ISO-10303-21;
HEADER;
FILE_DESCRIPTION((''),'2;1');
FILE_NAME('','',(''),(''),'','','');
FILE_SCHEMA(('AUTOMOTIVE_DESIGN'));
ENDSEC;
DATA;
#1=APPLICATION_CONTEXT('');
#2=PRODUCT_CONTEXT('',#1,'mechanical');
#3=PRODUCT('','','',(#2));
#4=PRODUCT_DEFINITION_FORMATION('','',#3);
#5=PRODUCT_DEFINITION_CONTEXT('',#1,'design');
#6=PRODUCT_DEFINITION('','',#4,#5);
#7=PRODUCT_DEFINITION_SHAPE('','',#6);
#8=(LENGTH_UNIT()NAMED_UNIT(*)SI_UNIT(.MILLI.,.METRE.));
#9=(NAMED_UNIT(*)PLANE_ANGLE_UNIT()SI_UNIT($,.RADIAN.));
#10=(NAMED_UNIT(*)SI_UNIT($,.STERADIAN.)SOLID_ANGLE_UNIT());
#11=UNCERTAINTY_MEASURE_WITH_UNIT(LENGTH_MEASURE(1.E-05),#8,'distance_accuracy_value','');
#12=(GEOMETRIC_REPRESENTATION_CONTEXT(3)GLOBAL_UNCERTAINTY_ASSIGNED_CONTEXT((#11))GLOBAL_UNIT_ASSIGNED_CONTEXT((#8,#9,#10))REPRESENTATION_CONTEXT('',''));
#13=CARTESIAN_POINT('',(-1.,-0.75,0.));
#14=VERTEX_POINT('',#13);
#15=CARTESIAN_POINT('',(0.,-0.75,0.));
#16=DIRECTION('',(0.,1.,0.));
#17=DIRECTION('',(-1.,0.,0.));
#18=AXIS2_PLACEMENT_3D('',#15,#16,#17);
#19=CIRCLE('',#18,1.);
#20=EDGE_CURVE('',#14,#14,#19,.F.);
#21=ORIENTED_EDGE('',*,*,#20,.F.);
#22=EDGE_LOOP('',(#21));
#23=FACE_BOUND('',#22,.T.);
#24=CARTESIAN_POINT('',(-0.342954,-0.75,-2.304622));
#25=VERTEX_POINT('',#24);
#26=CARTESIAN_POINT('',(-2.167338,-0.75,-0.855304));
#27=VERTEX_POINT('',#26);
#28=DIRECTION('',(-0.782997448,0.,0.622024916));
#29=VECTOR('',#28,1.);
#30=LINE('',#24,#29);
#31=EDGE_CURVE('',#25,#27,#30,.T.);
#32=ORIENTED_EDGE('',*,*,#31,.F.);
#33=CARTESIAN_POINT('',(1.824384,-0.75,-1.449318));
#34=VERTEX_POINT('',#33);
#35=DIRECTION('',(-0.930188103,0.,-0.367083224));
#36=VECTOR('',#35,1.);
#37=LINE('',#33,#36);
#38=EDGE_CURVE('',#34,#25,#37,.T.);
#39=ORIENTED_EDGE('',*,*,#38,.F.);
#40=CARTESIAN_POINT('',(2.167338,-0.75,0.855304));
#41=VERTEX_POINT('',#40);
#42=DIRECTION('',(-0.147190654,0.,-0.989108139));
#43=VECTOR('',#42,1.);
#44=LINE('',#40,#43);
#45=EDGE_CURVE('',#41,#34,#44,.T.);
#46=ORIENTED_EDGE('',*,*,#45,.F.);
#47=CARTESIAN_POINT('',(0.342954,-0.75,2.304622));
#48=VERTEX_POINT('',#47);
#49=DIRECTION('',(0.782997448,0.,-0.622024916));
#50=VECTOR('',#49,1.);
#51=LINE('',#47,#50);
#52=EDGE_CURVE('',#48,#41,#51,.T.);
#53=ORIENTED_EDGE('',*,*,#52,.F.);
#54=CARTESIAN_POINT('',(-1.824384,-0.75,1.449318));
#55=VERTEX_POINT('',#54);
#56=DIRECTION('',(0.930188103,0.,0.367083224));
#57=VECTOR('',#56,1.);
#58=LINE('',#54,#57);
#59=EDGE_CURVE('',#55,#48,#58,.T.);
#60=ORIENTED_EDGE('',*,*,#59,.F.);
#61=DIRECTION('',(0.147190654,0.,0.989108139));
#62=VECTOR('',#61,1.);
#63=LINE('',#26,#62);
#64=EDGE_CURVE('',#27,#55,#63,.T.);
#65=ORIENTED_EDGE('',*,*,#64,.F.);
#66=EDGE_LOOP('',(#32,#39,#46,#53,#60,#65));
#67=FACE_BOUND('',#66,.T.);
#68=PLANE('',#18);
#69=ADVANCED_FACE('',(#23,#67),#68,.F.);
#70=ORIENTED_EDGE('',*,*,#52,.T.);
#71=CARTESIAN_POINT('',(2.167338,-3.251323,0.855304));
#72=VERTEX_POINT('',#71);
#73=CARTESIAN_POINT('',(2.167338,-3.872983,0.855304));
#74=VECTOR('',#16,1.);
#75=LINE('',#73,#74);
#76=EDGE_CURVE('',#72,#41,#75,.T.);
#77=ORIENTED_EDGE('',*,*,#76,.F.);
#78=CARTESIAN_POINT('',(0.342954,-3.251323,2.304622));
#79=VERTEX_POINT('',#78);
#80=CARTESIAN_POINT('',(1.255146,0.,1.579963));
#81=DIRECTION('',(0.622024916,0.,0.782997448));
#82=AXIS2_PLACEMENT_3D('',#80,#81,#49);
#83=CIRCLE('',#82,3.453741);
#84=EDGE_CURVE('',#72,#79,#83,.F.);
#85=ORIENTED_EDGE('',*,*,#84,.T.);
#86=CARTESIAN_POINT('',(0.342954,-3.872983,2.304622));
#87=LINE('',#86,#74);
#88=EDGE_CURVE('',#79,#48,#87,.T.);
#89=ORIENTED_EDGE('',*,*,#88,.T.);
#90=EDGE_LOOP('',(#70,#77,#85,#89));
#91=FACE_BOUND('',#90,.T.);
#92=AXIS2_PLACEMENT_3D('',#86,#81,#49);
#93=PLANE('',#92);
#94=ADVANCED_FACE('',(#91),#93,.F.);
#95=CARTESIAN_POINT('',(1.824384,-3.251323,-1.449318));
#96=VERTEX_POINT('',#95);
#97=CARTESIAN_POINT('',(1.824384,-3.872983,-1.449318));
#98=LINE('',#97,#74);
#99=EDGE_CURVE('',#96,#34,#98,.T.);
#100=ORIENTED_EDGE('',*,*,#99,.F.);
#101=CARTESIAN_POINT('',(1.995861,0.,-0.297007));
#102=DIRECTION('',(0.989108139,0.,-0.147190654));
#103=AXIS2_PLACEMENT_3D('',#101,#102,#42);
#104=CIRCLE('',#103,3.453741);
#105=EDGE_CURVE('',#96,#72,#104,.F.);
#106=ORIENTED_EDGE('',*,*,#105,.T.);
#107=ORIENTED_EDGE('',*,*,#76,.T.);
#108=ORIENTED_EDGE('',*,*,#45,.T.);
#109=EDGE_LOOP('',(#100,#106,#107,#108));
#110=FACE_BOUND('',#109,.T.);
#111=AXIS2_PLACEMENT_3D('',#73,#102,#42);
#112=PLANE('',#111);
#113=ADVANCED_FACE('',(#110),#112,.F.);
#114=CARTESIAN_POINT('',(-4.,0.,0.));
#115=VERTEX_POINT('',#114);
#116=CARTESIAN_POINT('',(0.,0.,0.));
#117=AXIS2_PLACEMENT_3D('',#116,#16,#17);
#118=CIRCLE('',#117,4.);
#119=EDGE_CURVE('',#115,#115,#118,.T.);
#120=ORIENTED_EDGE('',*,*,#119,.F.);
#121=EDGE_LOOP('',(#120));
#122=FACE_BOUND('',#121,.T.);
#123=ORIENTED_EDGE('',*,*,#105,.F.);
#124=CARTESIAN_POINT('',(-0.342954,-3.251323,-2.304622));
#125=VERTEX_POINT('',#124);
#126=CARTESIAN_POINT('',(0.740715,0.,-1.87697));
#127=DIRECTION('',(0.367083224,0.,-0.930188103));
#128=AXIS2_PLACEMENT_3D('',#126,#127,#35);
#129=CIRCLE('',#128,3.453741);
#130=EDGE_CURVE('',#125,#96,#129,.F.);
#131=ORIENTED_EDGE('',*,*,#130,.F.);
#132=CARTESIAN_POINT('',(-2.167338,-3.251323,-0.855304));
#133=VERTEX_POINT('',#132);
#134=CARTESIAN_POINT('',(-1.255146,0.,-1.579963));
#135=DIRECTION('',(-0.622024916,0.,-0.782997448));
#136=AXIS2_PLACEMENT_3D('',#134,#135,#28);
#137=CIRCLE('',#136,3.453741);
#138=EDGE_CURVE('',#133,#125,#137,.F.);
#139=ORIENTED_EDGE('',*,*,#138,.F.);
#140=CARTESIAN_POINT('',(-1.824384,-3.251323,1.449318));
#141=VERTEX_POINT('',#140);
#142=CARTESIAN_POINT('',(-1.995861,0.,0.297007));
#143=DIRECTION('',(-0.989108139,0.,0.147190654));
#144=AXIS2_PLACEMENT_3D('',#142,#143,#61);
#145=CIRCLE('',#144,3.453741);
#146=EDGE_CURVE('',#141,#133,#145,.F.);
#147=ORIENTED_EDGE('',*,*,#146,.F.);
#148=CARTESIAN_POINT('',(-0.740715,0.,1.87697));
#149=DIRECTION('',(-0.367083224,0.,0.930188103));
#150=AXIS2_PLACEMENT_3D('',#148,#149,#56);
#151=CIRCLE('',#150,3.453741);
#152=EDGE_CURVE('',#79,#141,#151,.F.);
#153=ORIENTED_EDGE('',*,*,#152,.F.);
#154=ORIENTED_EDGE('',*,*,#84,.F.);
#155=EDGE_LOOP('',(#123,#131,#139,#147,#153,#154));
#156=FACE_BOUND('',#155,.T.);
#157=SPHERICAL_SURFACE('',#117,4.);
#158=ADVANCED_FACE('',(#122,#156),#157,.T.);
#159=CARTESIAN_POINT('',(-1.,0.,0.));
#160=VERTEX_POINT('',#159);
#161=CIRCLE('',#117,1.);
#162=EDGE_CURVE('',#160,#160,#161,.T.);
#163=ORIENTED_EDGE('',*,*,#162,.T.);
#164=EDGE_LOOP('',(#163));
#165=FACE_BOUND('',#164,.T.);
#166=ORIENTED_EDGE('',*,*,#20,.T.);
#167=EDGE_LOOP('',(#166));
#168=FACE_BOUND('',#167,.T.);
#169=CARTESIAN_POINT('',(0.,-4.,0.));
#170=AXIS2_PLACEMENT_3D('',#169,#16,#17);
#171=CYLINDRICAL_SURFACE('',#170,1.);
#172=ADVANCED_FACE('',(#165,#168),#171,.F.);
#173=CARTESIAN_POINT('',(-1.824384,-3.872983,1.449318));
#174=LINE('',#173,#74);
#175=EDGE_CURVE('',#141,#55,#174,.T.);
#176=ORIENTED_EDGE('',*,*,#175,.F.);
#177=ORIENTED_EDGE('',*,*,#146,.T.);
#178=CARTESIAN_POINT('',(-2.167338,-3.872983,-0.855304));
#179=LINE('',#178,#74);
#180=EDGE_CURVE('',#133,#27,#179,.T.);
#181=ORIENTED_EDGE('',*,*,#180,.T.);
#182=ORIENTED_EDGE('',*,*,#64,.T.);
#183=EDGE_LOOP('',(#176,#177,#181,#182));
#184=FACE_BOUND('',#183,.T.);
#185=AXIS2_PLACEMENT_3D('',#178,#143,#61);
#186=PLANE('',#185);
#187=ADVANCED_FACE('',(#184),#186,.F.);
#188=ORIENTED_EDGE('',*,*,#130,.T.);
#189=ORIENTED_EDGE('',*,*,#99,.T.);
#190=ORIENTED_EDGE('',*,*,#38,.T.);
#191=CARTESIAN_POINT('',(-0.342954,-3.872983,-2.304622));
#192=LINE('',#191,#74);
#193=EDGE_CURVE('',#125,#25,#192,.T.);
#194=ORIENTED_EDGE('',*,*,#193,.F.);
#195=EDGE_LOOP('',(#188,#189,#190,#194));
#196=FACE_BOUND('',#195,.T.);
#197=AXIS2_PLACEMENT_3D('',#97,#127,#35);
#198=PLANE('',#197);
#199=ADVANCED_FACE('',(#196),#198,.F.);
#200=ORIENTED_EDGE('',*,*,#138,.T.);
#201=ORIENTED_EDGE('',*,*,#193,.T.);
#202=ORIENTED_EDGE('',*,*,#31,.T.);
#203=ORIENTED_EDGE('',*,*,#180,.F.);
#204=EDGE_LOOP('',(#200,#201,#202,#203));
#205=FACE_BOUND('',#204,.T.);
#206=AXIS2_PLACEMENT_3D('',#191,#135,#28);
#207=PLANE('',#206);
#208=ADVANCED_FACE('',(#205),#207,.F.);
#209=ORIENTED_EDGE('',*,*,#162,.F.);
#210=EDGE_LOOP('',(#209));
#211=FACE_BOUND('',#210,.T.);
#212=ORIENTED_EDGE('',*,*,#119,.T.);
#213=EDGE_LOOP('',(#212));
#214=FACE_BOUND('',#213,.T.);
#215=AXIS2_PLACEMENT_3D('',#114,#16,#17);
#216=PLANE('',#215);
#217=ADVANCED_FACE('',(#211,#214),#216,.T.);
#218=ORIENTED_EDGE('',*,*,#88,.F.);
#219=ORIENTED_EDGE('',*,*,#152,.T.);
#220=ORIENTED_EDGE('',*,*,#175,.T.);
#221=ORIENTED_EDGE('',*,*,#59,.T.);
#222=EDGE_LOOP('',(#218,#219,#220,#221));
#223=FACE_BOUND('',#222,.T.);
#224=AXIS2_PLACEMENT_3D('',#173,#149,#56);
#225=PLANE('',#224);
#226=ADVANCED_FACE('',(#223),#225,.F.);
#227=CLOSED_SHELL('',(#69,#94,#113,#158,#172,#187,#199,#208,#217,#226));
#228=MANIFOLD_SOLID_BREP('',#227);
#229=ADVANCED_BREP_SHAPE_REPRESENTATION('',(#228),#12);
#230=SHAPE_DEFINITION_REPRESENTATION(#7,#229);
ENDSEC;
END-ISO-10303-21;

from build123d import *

# Parameters (mm, degrees)
ESQUISSE2_R                  = 1
ENL_V_MAT_EXTRU_1_DEPTH      = 5
ENL_V_MAT_EXTRU_3_DEPTH      = 2.25
ENL_V_MAT_EXTRU_3_DEPTH_BACK = 1.872983346


with BuildPart() as part:
    # Esquisse1 → Révolution1 (revolve)
    with BuildSketch(Plane.XY):
        with BuildLine():
            Line((-4, 0), (0, 0))
            Line((0, 0), (0, -4))
            ThreePointArc((0, -4), (-2.828427125, -2.828427125), (-4, 0))
        make_face()
    revolve(axis=Axis((0, 0, 0), (0, -1, 0)))

    # Esquisse2 → Enlèv. mat.-Extru.1 (cut, through all)
    with BuildSketch(Plane(origin=(0, 0, 0), x_dir=(1, 0, 0), z_dir=(0, 1, 0))):
        with Locations(Location((0, 0, 0), (0, 0, 180))):  # turned: the seam where the file's is
            Circle(ESQUISSE2_R)
    extrude(amount=-ENL_V_MAT_EXTRU_1_DEPTH, mode=Mode.SUBTRACT)

    # Esquisse4 → Enlèv. mat.-Extru.3 (cut, two sides)
    with BuildSketch(Plane(origin=(0, -3, 0), x_dir=(1, 0, 0), z_dir=(0, 1, 0))) as enl_v_mat_extru_3_sk:
        Polygon((2.16733828, -0.855303911), (1.824384055, 1.449318053), (-0.342954225, 2.304621965), (-2.16733828, 0.855303911), (-1.824384055, -1.449318053), (0.342954225, -2.304621965), align=None)
    extrude(amount=ENL_V_MAT_EXTRU_3_DEPTH, mode=Mode.SUBTRACT)
    extrude(enl_v_mat_extru_3_sk.sketch, amount=-ENL_V_MAT_EXTRU_3_DEPTH_BACK, mode=Mode.SUBTRACT)


solid = part.part
